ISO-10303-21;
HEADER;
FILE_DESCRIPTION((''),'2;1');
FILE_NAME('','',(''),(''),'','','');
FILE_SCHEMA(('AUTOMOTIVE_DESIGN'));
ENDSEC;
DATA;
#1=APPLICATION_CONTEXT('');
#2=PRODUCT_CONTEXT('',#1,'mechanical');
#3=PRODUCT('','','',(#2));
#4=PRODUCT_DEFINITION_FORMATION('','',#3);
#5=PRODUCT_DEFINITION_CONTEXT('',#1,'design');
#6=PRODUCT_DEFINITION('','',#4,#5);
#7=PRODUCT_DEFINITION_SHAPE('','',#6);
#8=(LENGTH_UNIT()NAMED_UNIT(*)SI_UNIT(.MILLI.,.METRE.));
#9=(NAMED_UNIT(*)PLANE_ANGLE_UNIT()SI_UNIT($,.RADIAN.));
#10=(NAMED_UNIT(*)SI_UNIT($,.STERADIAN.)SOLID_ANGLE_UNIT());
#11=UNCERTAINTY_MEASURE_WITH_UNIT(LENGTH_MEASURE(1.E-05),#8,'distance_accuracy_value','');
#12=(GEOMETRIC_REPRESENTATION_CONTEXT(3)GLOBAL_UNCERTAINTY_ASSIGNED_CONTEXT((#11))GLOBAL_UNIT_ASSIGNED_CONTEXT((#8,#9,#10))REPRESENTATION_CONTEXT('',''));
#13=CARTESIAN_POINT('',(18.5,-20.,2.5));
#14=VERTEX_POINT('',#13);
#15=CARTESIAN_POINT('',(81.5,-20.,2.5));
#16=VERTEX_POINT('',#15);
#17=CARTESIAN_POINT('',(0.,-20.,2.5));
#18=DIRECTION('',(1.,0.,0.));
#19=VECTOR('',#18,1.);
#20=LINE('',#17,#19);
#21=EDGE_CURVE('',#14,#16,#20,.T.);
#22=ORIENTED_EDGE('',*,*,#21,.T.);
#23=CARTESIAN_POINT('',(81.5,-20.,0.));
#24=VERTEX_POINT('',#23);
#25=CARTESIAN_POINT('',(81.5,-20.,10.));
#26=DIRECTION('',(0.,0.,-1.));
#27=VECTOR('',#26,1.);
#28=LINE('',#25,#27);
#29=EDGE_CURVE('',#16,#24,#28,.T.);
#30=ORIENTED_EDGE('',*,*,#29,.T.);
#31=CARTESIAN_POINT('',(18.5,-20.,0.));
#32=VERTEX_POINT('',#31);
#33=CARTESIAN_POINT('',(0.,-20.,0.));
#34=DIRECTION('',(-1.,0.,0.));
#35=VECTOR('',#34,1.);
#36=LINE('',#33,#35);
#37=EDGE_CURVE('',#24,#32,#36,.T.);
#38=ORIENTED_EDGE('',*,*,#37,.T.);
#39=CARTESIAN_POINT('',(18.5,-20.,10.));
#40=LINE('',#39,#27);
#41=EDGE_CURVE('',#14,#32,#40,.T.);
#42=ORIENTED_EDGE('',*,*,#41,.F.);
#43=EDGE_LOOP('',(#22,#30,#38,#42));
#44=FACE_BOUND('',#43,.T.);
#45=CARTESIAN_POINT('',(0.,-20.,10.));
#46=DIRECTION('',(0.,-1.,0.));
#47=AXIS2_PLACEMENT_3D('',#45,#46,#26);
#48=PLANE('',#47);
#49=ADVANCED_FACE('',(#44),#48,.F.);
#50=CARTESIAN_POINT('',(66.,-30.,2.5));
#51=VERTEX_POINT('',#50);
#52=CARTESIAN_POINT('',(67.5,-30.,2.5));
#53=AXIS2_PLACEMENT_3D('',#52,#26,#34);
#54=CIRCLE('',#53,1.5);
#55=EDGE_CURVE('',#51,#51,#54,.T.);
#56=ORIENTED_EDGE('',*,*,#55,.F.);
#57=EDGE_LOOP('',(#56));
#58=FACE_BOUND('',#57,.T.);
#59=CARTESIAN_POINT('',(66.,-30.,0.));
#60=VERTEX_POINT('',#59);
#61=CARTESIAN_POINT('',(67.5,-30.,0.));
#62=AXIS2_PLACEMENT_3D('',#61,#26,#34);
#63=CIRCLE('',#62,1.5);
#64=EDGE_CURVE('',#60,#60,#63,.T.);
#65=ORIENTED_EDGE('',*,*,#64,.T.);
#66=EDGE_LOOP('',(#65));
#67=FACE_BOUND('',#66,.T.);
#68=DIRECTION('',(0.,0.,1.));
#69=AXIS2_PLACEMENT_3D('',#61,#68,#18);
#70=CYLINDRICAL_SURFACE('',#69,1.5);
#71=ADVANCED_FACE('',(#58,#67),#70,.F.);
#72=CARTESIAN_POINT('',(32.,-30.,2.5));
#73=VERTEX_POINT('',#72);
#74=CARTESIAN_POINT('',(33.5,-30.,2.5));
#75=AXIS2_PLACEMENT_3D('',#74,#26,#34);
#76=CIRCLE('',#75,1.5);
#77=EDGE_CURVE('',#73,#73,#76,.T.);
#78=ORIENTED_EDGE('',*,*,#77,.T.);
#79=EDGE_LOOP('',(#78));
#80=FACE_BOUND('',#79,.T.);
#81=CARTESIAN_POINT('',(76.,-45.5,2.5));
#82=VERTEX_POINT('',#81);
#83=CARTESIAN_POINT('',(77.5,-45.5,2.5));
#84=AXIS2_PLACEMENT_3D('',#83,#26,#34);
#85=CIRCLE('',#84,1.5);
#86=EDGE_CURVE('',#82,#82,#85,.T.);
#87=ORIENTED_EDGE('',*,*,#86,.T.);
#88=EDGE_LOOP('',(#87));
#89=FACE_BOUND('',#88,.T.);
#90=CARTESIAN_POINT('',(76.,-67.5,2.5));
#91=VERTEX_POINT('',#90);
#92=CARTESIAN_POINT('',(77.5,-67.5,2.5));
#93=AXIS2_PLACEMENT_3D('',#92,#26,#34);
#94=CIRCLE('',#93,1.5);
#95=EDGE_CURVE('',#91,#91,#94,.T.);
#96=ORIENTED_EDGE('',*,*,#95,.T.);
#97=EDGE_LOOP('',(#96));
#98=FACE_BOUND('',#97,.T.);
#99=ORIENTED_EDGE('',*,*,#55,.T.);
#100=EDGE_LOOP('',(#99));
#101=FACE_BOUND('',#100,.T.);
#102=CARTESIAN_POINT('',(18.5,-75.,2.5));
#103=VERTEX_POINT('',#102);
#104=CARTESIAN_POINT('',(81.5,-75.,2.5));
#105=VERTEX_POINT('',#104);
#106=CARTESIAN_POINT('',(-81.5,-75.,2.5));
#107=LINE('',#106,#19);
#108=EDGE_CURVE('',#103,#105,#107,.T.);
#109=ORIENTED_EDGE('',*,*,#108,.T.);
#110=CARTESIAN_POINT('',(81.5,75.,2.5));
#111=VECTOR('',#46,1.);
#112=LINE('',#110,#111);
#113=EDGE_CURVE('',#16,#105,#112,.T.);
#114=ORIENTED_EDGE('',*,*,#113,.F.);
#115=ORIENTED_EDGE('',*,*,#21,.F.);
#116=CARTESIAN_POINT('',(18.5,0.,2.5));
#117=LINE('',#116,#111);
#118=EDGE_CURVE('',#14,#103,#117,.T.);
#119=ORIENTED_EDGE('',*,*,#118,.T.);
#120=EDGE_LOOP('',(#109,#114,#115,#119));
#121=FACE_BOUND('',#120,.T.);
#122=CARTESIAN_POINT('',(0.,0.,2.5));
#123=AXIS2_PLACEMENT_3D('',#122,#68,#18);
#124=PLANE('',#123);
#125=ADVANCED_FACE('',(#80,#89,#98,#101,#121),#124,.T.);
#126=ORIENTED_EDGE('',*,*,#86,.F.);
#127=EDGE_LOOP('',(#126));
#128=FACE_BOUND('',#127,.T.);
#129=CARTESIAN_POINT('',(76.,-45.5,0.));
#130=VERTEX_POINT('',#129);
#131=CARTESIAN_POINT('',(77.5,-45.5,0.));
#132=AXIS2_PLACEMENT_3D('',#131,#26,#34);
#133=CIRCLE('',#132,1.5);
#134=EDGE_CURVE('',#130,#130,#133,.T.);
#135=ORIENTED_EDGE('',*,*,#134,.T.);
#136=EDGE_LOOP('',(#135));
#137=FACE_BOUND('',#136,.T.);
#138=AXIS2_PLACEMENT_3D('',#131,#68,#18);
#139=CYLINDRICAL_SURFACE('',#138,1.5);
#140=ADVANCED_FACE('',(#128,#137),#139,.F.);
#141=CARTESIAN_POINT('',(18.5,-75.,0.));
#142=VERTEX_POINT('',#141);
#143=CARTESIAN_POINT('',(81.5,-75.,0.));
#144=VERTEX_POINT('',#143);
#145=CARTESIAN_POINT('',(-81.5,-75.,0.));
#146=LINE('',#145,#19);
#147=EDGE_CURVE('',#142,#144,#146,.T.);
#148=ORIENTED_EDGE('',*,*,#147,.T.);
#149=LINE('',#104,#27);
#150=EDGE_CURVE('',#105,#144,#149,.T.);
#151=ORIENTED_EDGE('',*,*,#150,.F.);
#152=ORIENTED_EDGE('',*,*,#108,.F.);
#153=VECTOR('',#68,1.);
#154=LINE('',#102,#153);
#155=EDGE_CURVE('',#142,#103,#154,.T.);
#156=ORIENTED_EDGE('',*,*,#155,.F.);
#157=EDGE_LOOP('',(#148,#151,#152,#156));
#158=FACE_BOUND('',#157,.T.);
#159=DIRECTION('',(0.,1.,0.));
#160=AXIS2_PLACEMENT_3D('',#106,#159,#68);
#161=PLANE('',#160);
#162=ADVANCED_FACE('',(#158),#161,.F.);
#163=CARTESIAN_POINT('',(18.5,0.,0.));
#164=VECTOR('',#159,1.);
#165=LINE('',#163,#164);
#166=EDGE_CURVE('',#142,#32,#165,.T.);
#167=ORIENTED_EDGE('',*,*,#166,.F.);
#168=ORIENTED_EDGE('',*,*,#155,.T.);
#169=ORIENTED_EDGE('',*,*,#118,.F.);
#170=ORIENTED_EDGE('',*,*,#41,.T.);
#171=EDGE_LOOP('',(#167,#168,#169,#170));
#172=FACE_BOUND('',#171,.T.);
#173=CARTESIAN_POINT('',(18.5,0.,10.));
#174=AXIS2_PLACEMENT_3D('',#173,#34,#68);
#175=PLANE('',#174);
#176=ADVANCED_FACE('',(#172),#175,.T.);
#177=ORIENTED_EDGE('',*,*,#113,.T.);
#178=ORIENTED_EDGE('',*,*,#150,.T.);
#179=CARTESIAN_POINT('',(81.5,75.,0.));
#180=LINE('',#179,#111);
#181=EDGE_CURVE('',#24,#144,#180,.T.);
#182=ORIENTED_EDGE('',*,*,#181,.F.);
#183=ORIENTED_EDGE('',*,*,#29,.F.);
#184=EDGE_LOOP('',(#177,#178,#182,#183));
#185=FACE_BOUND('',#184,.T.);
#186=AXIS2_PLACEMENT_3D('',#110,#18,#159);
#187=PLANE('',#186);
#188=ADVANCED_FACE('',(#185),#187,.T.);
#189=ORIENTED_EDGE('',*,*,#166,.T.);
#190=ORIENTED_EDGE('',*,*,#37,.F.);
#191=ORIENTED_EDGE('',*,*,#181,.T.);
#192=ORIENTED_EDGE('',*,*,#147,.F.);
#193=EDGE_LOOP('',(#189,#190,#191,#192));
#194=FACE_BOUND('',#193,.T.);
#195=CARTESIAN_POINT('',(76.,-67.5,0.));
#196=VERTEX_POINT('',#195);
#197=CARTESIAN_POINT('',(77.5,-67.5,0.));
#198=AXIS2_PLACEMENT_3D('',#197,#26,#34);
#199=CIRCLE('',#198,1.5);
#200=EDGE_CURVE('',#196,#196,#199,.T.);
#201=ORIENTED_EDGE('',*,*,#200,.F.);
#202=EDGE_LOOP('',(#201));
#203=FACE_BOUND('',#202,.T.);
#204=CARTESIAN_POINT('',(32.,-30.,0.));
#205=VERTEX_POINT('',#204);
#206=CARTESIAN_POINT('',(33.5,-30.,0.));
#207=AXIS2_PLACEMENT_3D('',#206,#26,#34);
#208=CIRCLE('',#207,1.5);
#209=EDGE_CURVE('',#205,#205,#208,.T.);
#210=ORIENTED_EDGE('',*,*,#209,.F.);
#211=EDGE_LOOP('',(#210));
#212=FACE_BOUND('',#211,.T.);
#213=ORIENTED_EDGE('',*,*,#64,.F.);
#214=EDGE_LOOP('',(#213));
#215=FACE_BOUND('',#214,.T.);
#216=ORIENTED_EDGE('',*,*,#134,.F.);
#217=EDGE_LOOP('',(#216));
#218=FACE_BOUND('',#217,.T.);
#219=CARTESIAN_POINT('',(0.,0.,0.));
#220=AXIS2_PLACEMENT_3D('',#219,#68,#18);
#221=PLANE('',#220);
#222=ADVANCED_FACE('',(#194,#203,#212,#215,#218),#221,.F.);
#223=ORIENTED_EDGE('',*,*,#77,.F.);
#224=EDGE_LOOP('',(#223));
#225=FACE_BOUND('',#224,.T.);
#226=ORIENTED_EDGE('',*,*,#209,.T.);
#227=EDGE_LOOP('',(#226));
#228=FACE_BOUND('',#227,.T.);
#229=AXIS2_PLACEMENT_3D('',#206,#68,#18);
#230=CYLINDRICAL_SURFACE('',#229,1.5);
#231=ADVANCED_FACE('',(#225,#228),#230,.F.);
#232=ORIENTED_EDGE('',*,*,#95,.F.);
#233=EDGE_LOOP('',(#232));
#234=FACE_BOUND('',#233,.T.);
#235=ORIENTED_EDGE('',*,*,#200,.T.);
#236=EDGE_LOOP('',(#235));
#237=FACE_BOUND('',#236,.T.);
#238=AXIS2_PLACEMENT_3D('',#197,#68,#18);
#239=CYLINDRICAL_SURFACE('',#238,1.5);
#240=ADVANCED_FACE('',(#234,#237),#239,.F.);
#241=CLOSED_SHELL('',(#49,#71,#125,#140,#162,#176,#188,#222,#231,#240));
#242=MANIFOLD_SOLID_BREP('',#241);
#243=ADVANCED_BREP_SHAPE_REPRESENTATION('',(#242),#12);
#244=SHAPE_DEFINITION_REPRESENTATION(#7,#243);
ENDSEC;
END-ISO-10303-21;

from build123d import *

# Parameters (mm, degrees)
SKETCH1_W           = 163
SKETCH1_H           = 150
BOSS_EXTRUDE1_DEPTH = 2.5
SKETCH3_R           = 1.5
CUT_EXTRUDE1_DEPTH  = 2.5
SKETCH4_W           = 4
SKETCH4_H           = 22
CUT_EXTRUDE2_DEPTH  = 111.785829419
SKETCH5_R           = 1.1
CUT_EXTRUDE3_DEPTH  = 111.785829419
CUT_EXTRUDE4_START  = -10
SKETCH6_W           = 4
SKETCH6_H           = 22
SKETCH6_R           = 1.5
SKETCH6_R_2         = 1.1
CUT_EXTRUDE4_DEPTH  = 10


with BuildPart() as part:
    # Sketch1 → Boss-Extrude1 (new body)
    with BuildSketch(Plane.XY):
        Rectangle(SKETCH1_W, SKETCH1_H)
    extrude(amount=BOSS_EXTRUDE1_DEPTH)

    # Sketch3 → Cut-Extrude1 (cut)
    with BuildSketch(Plane.XY.offset(2.5)):
        with Locations((-67.5, -30)):
            Circle(SKETCH3_R)
        with Locations((-33.5, -30)):
            Circle(SKETCH3_R)
        with Locations((-77.5, -45.5)):
            Circle(SKETCH3_R)
        with Locations((-77.5, -67.5)):
            Circle(SKETCH3_R)
    cut_extrude1 = extrude(amount=-CUT_EXTRUDE1_DEPTH, mode=Mode.SUBTRACT)

    # Mirror1: Cut-Extrude1 across plane
    add(cut_extrude1.mirror(Plane(origin=(0, 0, 0), x_dir=(0, 0, 1), z_dir=(1, 0, 0))), mode=Mode.SUBTRACT)

    # Sketch4 → Cut-Extrude2 (cut, through all)
    with BuildSketch(Plane.XY.offset(2.5)):
        with Locations((32.5, -7.5)):
            Rectangle(SKETCH4_W, SKETCH4_H)
        with Locations((-32.5, 27.5)):
            Rectangle(SKETCH4_W, SKETCH4_H)
        with Locations((-32.5, -7.5)):
            Rectangle(SKETCH4_W, SKETCH4_H)
        with Locations((32.5, 27.5)):
            Rectangle(SKETCH4_W, SKETCH4_H)
    extrude(amount=-CUT_EXTRUDE2_DEPTH, mode=Mode.SUBTRACT)

    # Sketch5 → Cut-Extrude3 (cut, through all)
    with BuildSketch(Plane.XY.offset(2.5)):
        with Locations((-28, 70)):
            Circle(SKETCH5_R)
        with Locations((28, 70)):
            Circle(SKETCH5_R)
    extrude(amount=-CUT_EXTRUDE3_DEPTH, mode=Mode.SUBTRACT)

    # Sketch6 → Cut-Extrude4 (cut)
    with BuildSketch(Plane(origin=(0, 0, 0), x_dir=(-1, 0, 0), z_dir=(0, 0, -1)).offset(CUT_EXTRUDE4_START)):
        Polygon((-18.5, -20), (-18.5, -75), (81.5, -75), (81.5, 75), (-81.5, 75), (-81.5, -20), align=None)
        with Locations((-32.5, -7.5)):
            Rectangle(SKETCH6_W, SKETCH6_H, mode=Mode.SUBTRACT)
        with Locations((77.5, -67.5)):
            Circle(SKETCH6_R, mode=Mode.SUBTRACT)
        with Locations((77.5, -45.5)):
            Circle(SKETCH6_R, mode=Mode.SUBTRACT)
        with Locations((33.5, -30)):
            Circle(SKETCH6_R, mode=Mode.SUBTRACT)
        with Locations((32.5, -7.5)):
            Rectangle(SKETCH6_W, SKETCH6_H, mode=Mode.SUBTRACT)
        with Locations((67.5, -30)):
            Circle(SKETCH6_R, mode=Mode.SUBTRACT)
        with Locations((-32.5, 27.5)):
            Rectangle(SKETCH6_W, SKETCH6_H, mode=Mode.SUBTRACT)
        with Locations((-28, 70)):
            Circle(SKETCH6_R_2, mode=Mode.SUBTRACT)
        with Locations((32.5, 27.5)):
            Rectangle(SKETCH6_W, SKETCH6_H, mode=Mode.SUBTRACT)
        with Locations((28, 70)):
            Circle(SKETCH6_R_2, mode=Mode.SUBTRACT)
    extrude(amount=CUT_EXTRUDE4_DEPTH, mode=Mode.SUBTRACT)


solid = part.part
